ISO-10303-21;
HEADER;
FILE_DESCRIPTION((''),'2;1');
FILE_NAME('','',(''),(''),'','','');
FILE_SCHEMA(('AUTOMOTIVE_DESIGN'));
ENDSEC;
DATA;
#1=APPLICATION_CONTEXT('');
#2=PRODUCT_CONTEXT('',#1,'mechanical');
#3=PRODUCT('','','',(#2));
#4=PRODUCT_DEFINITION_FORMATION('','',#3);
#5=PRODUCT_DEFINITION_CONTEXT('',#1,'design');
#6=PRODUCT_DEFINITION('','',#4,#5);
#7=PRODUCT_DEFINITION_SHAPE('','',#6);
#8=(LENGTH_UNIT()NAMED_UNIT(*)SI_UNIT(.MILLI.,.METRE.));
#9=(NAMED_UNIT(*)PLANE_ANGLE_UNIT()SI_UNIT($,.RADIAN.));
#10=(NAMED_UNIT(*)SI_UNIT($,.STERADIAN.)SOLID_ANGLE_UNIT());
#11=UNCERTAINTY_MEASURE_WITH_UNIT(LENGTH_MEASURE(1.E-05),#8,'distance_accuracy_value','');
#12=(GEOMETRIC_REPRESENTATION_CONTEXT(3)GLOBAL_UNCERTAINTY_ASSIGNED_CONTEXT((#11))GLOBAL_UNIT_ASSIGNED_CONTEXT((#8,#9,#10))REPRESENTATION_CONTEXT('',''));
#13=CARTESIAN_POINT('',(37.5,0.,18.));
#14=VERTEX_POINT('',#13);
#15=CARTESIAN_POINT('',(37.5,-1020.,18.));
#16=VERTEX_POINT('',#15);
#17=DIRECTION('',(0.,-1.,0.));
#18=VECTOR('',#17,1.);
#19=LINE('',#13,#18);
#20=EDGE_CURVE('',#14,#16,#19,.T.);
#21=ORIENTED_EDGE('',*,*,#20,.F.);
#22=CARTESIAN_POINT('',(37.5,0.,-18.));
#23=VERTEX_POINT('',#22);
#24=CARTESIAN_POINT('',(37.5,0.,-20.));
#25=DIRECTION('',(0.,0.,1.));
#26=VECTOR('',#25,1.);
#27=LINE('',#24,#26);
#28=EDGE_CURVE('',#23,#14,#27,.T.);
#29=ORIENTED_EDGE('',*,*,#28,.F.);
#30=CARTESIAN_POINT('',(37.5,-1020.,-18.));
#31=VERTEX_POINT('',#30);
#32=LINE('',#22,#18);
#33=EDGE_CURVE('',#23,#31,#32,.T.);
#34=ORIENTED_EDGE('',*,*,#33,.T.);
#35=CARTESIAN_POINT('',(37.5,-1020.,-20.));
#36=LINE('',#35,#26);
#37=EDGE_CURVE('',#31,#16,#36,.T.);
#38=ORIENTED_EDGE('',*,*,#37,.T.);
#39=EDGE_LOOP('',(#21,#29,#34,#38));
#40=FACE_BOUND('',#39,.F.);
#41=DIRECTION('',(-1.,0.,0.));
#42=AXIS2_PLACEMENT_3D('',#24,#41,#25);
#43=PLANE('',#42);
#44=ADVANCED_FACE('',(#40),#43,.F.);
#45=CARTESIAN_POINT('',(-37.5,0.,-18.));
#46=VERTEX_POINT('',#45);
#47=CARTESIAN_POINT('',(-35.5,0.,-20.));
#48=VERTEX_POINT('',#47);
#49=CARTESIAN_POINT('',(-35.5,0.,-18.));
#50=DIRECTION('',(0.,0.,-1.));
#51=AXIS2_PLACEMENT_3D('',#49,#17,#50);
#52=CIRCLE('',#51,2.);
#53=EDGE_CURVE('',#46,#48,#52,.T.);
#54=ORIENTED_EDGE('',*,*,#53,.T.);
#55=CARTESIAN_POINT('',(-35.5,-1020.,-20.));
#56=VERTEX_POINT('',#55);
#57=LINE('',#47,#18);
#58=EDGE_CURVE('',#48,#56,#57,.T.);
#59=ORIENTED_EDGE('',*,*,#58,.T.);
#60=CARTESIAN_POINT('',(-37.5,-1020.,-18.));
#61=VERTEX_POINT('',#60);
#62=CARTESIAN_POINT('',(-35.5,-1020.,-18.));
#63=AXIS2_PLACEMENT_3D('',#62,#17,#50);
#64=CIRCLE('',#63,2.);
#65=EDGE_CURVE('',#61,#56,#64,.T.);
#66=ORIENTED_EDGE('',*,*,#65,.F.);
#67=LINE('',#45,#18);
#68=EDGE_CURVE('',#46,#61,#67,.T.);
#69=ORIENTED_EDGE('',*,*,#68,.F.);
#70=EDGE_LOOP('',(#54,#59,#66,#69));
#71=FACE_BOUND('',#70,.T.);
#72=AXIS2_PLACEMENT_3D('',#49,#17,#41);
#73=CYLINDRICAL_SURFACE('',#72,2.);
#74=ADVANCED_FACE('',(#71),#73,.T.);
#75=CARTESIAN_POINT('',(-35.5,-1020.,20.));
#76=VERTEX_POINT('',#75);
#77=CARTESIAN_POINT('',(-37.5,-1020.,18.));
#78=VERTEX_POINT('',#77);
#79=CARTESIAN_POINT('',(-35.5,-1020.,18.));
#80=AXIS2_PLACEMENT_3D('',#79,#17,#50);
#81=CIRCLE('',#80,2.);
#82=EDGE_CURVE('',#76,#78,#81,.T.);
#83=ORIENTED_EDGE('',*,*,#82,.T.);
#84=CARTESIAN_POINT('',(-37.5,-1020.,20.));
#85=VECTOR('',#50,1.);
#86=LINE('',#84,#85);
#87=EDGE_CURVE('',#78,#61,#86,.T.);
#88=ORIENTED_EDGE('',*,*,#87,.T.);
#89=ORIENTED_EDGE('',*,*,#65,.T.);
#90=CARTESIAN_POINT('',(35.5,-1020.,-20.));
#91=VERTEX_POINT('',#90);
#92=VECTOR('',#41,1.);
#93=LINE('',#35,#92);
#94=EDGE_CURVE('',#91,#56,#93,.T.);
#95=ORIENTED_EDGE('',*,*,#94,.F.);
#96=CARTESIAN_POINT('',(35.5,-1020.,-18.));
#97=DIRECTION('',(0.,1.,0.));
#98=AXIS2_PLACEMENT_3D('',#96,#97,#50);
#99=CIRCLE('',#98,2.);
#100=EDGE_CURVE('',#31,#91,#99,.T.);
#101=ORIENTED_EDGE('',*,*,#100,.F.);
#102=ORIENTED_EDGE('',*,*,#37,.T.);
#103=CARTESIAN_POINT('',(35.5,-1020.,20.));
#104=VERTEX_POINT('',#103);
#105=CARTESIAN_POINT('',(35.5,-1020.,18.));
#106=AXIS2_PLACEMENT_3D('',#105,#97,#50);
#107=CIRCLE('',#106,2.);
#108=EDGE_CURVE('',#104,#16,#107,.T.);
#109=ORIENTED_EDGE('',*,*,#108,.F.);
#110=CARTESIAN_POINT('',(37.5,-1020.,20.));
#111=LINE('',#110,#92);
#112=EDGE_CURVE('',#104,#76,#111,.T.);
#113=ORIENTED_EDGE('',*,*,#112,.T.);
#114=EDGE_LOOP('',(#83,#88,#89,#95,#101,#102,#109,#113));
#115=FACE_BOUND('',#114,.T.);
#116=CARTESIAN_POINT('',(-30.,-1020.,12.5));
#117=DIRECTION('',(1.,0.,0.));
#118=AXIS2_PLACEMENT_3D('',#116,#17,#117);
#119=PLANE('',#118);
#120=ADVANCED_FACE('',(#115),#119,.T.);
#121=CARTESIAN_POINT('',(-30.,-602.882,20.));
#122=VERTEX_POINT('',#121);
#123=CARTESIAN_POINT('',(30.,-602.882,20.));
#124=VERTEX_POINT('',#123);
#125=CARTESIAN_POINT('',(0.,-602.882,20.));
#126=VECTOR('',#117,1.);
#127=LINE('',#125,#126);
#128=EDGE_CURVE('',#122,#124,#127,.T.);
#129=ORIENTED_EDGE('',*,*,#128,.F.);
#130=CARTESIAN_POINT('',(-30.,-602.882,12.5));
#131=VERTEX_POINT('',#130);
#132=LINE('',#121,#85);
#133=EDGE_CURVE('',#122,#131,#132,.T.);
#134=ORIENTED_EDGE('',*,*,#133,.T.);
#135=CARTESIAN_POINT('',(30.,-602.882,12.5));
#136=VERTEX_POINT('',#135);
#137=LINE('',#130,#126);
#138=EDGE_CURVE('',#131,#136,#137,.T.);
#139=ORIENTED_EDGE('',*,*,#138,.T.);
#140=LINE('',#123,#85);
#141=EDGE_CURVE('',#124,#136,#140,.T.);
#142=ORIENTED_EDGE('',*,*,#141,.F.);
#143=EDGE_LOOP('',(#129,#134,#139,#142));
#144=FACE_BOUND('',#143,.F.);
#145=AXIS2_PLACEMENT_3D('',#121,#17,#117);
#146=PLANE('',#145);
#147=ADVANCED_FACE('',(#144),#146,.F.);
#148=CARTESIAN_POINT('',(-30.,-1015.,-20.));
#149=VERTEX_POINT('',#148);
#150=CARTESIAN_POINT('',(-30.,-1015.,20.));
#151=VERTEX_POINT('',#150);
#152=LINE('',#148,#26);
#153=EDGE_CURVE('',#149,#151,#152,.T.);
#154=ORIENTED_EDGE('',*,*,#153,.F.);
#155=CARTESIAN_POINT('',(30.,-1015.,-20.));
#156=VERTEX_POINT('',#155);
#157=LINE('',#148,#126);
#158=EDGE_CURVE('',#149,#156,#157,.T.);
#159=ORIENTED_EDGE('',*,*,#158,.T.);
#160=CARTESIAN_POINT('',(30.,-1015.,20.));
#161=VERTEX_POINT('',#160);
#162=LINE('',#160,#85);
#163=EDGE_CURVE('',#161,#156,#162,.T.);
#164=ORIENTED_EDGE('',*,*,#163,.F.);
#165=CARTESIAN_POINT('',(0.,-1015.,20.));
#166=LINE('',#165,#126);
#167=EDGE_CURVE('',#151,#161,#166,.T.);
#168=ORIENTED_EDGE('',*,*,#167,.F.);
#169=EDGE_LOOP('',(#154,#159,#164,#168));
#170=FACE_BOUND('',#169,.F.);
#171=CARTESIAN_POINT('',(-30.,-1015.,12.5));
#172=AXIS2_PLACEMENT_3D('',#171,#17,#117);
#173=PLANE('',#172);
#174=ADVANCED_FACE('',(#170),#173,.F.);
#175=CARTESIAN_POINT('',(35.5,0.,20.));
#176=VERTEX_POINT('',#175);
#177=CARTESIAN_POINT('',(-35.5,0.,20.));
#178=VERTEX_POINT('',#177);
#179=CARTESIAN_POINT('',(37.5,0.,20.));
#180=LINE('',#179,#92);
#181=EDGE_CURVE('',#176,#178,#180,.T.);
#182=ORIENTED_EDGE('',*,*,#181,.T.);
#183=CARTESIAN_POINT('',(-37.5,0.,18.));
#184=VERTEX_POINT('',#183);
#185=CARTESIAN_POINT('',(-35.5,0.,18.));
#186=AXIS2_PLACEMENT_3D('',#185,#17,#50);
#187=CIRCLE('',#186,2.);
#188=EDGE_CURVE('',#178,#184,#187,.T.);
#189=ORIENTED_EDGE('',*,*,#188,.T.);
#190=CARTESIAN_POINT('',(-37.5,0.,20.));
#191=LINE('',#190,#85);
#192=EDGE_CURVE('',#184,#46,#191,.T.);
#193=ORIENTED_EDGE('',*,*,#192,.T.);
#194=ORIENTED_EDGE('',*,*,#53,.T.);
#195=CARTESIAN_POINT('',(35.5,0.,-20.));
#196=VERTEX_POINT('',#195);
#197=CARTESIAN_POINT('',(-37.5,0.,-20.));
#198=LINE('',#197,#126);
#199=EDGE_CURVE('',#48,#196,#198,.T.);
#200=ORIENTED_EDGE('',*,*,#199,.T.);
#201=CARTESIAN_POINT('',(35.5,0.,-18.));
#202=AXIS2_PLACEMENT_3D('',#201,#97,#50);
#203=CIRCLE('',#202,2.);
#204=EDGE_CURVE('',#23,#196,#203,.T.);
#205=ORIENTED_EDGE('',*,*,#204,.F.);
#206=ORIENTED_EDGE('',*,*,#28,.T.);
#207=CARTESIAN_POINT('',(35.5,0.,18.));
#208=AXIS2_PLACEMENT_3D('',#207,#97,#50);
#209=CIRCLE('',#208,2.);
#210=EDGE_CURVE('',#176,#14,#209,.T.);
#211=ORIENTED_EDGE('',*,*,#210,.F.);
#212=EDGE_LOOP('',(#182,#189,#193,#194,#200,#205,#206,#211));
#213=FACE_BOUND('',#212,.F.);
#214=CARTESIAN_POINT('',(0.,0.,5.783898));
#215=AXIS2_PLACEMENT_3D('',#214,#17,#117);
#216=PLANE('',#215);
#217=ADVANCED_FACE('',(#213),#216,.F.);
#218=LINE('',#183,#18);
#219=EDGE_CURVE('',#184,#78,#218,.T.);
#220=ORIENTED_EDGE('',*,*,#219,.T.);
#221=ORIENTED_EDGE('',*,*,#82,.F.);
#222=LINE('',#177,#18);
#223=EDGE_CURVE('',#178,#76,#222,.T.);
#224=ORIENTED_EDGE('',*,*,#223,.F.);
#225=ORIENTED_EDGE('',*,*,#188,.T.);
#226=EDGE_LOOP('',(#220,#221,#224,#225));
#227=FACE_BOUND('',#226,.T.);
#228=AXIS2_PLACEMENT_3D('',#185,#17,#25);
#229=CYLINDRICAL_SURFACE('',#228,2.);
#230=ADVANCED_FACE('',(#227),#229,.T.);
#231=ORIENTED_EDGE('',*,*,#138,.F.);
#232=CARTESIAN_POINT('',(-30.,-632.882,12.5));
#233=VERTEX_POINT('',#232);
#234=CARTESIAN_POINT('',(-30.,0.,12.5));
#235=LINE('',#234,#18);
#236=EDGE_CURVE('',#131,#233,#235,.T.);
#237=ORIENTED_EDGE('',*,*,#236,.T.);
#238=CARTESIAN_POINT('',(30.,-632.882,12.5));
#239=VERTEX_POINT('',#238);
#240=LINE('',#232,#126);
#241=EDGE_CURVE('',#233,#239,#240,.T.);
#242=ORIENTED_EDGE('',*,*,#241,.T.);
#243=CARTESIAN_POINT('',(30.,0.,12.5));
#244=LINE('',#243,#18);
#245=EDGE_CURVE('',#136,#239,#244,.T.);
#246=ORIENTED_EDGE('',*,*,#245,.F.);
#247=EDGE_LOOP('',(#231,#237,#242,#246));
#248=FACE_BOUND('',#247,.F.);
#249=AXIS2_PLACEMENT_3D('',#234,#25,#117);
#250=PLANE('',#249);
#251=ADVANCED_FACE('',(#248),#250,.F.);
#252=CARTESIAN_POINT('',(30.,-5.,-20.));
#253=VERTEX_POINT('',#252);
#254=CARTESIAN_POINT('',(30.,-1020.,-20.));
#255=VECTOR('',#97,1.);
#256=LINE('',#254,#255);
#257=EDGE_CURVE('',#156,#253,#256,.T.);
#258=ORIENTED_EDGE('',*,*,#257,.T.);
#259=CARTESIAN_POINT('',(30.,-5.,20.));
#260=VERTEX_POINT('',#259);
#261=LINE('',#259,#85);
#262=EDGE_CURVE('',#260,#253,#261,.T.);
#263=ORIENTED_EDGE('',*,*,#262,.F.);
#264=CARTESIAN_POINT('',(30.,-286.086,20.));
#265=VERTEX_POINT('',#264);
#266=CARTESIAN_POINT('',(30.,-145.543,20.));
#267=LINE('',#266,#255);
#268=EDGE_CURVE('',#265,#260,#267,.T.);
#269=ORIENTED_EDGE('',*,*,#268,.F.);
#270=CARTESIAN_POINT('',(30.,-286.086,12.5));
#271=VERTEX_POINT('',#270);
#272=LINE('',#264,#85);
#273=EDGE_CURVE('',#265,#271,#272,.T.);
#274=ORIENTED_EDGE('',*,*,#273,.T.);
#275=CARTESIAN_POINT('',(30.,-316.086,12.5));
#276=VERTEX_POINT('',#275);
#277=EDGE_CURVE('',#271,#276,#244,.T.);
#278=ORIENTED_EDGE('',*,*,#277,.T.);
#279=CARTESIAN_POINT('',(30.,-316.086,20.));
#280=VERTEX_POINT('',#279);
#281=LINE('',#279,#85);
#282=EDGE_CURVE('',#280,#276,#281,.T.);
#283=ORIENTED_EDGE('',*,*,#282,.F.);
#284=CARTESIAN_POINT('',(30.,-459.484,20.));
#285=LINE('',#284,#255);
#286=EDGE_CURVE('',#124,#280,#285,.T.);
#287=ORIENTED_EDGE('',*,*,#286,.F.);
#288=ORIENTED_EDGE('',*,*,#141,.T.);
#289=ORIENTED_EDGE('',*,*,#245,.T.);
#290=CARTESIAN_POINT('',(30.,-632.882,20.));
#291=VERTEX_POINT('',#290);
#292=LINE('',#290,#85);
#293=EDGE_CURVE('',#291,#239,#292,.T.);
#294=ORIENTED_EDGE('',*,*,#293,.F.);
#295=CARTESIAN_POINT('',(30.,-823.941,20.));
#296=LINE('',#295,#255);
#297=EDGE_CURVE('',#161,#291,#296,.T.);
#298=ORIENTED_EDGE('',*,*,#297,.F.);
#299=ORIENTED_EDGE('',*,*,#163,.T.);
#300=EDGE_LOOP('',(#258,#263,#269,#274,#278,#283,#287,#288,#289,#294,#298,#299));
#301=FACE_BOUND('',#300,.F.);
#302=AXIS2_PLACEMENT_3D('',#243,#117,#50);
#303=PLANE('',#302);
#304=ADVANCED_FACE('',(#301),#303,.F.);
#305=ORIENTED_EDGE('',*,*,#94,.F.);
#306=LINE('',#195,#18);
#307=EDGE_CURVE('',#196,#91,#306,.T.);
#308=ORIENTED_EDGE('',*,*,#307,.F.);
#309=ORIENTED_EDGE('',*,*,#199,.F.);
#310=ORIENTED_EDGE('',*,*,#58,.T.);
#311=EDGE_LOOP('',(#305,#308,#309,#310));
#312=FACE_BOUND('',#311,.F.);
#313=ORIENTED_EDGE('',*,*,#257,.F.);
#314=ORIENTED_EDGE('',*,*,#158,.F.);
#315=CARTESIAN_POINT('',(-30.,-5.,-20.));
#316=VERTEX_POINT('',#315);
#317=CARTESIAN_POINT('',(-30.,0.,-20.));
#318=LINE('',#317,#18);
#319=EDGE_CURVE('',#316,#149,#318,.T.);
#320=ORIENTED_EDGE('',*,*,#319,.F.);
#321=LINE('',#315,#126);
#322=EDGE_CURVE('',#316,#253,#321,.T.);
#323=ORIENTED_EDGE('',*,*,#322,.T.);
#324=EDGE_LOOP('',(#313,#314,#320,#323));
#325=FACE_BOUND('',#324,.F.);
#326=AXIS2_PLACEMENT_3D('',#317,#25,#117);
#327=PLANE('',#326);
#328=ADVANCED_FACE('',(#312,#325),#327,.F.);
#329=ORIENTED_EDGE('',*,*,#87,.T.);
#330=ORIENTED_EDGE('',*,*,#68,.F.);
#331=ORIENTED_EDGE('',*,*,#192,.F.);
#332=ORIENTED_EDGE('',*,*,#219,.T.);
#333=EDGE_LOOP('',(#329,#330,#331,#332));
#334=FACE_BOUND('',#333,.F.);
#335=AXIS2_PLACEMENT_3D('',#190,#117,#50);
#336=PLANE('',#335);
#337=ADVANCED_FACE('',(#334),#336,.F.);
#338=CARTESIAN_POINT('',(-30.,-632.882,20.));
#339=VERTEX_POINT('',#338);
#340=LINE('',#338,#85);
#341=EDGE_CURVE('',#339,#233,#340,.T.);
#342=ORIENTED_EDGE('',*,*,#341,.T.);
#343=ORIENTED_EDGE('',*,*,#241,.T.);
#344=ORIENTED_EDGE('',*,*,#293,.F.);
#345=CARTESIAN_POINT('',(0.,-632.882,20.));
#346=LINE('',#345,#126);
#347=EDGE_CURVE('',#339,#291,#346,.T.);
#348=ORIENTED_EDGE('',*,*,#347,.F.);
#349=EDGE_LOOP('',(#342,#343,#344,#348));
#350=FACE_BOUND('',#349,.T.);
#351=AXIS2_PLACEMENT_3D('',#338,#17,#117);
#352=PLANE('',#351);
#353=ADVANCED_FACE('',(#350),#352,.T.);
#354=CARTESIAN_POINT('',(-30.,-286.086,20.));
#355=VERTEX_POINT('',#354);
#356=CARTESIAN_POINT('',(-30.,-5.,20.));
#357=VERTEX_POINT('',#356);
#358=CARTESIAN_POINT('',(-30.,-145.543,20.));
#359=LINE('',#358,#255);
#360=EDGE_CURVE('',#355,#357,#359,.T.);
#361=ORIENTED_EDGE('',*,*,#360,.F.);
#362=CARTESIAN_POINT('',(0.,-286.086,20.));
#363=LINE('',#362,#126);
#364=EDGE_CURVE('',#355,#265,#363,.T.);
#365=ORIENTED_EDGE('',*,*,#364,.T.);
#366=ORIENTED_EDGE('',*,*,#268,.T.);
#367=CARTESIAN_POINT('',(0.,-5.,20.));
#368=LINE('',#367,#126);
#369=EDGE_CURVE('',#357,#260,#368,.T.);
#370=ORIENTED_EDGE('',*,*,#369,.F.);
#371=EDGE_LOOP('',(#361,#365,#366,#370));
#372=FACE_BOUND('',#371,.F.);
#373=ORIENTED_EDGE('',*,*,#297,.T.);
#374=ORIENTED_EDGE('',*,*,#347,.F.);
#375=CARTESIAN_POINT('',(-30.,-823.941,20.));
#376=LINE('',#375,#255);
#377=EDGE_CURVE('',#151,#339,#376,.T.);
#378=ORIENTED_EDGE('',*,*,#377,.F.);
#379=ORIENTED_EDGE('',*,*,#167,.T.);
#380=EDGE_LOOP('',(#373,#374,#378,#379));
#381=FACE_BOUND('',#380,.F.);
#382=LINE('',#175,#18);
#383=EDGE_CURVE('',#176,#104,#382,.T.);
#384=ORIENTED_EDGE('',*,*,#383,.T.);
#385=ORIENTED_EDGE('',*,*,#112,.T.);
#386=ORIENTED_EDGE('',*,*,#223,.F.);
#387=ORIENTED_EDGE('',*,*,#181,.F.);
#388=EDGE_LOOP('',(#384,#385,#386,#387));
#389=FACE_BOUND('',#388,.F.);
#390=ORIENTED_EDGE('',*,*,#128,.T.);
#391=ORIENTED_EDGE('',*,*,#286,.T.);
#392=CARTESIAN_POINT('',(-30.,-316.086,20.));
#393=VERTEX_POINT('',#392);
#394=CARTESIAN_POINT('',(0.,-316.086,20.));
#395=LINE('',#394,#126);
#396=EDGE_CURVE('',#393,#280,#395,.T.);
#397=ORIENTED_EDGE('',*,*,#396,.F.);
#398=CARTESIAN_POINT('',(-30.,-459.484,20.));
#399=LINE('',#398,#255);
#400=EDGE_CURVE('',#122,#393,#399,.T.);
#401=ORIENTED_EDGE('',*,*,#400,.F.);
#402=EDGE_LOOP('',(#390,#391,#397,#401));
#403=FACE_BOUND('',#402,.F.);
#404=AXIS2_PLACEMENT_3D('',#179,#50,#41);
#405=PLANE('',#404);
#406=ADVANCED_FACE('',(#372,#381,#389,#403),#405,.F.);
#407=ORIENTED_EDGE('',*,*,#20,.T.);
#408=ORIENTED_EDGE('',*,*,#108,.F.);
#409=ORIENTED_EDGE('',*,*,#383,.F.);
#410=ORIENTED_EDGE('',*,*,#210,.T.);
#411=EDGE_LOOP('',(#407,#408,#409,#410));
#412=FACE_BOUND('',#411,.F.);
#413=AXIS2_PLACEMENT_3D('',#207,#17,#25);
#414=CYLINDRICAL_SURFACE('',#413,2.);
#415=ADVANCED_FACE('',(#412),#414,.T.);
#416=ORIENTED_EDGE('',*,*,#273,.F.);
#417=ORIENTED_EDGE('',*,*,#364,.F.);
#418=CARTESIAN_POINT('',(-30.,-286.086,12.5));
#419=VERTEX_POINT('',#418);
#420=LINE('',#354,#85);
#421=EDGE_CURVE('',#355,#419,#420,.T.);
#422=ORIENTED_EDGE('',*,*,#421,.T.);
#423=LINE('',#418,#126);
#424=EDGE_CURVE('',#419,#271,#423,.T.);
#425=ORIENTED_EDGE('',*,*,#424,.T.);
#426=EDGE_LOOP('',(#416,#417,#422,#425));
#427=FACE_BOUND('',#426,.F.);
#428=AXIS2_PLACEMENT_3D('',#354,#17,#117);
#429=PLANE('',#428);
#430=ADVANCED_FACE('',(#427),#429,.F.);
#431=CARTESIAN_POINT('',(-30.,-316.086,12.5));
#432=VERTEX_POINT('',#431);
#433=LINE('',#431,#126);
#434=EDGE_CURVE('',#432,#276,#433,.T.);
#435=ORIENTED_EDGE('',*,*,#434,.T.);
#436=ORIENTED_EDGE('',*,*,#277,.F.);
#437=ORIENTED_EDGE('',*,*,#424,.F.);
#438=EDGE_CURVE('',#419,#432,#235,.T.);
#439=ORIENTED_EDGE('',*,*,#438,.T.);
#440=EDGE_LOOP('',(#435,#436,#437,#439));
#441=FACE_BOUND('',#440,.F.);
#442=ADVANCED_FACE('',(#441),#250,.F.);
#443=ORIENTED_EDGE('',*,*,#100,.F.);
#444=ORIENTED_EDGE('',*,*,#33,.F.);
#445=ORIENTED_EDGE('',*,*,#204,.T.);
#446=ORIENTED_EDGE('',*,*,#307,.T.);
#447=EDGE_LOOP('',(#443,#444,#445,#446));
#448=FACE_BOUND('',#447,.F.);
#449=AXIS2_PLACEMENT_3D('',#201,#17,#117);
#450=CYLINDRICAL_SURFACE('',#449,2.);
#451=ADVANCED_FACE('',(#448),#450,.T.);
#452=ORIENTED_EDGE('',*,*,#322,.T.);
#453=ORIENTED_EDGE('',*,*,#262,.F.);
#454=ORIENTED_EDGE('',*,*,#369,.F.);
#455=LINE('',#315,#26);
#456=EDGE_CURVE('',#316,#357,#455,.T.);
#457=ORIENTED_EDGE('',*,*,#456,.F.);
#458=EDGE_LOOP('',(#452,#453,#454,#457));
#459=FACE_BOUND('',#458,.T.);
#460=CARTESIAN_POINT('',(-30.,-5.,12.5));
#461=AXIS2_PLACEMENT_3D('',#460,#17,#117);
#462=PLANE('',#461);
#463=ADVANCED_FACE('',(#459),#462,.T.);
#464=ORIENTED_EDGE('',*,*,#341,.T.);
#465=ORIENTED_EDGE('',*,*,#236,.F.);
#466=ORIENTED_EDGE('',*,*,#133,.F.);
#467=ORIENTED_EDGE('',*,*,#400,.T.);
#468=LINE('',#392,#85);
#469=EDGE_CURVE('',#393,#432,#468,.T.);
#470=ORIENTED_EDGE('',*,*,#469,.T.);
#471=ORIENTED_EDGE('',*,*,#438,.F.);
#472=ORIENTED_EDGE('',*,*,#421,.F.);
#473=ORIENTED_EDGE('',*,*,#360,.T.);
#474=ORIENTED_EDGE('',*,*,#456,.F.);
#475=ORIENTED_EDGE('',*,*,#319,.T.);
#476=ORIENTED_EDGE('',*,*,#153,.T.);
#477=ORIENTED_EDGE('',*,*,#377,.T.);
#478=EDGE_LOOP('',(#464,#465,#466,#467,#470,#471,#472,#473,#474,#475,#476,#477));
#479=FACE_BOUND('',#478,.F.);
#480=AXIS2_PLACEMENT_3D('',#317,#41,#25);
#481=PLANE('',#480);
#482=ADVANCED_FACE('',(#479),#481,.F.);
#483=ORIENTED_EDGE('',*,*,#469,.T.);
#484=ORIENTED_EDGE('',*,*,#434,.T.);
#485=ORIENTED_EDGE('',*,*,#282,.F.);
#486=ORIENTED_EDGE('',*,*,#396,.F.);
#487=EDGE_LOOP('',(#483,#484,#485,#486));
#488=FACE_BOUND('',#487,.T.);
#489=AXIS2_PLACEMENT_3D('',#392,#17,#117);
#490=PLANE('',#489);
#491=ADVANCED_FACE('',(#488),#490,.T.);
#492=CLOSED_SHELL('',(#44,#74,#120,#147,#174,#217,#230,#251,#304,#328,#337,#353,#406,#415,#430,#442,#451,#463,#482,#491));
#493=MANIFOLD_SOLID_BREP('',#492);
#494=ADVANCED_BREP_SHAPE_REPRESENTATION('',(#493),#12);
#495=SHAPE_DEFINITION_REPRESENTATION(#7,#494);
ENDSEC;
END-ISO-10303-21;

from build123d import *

# Parameters (mm, degrees)
F1_DEPTH = 1020
F2_W     = 60
F2_H     = 382.118
F2_H_2   = 286.796
F2_H_3   = 281.086
F3_DEPTH = 60
F4_DEPTH = 32.5
F5_R     = 2


with BuildPart() as f1:
    # F0 (on Front) → F1 (new body)
    with BuildSketch(Plane.XZ):
        Polygon((30, -20), (37.5, -20), (37.5, 20), (-37.5, 20), (-37.5, -20), (-30, -20), (-30, -12.5), (-30, 12.5), (30, 12.5), (30, -12.5), align=None)
    extrude(amount=F1_DEPTH)

    # F2 (on face) → F3 (cut)
    with BuildSketch(Plane.XY.offset(20)):
        with Locations((0, -823.941)):
            Rectangle(F2_W, F2_H)
        with Locations((0, -459.484)):
            Rectangle(F2_W, F2_H_2)
        with Locations((0, -145.543)):
            Rectangle(F2_W, F2_H_3)
    extrude(amount=-F3_DEPTH, mode=Mode.SUBTRACT)

    # F4 (add): faces of the model
    f4_faces = [f1.faces().sort_by_distance(p)[0] for p in [
        (0, -1017.5, 12.5),
        (0, -2.5, 12.5),
    ]]
    extrude(f4_faces, amount=F4_DEPTH)

    # F5
    f5_edges = [f1.edges().sort_by_distance(p)[0] for p in [
        (-37.5, -510, 20),
        (37.5, -510, 20),
        (-37.5, -510, -20),
        (37.5, -510, -20),
    ]]
    fillet(f5_edges, radius=F5_R)


solid = f1.part
